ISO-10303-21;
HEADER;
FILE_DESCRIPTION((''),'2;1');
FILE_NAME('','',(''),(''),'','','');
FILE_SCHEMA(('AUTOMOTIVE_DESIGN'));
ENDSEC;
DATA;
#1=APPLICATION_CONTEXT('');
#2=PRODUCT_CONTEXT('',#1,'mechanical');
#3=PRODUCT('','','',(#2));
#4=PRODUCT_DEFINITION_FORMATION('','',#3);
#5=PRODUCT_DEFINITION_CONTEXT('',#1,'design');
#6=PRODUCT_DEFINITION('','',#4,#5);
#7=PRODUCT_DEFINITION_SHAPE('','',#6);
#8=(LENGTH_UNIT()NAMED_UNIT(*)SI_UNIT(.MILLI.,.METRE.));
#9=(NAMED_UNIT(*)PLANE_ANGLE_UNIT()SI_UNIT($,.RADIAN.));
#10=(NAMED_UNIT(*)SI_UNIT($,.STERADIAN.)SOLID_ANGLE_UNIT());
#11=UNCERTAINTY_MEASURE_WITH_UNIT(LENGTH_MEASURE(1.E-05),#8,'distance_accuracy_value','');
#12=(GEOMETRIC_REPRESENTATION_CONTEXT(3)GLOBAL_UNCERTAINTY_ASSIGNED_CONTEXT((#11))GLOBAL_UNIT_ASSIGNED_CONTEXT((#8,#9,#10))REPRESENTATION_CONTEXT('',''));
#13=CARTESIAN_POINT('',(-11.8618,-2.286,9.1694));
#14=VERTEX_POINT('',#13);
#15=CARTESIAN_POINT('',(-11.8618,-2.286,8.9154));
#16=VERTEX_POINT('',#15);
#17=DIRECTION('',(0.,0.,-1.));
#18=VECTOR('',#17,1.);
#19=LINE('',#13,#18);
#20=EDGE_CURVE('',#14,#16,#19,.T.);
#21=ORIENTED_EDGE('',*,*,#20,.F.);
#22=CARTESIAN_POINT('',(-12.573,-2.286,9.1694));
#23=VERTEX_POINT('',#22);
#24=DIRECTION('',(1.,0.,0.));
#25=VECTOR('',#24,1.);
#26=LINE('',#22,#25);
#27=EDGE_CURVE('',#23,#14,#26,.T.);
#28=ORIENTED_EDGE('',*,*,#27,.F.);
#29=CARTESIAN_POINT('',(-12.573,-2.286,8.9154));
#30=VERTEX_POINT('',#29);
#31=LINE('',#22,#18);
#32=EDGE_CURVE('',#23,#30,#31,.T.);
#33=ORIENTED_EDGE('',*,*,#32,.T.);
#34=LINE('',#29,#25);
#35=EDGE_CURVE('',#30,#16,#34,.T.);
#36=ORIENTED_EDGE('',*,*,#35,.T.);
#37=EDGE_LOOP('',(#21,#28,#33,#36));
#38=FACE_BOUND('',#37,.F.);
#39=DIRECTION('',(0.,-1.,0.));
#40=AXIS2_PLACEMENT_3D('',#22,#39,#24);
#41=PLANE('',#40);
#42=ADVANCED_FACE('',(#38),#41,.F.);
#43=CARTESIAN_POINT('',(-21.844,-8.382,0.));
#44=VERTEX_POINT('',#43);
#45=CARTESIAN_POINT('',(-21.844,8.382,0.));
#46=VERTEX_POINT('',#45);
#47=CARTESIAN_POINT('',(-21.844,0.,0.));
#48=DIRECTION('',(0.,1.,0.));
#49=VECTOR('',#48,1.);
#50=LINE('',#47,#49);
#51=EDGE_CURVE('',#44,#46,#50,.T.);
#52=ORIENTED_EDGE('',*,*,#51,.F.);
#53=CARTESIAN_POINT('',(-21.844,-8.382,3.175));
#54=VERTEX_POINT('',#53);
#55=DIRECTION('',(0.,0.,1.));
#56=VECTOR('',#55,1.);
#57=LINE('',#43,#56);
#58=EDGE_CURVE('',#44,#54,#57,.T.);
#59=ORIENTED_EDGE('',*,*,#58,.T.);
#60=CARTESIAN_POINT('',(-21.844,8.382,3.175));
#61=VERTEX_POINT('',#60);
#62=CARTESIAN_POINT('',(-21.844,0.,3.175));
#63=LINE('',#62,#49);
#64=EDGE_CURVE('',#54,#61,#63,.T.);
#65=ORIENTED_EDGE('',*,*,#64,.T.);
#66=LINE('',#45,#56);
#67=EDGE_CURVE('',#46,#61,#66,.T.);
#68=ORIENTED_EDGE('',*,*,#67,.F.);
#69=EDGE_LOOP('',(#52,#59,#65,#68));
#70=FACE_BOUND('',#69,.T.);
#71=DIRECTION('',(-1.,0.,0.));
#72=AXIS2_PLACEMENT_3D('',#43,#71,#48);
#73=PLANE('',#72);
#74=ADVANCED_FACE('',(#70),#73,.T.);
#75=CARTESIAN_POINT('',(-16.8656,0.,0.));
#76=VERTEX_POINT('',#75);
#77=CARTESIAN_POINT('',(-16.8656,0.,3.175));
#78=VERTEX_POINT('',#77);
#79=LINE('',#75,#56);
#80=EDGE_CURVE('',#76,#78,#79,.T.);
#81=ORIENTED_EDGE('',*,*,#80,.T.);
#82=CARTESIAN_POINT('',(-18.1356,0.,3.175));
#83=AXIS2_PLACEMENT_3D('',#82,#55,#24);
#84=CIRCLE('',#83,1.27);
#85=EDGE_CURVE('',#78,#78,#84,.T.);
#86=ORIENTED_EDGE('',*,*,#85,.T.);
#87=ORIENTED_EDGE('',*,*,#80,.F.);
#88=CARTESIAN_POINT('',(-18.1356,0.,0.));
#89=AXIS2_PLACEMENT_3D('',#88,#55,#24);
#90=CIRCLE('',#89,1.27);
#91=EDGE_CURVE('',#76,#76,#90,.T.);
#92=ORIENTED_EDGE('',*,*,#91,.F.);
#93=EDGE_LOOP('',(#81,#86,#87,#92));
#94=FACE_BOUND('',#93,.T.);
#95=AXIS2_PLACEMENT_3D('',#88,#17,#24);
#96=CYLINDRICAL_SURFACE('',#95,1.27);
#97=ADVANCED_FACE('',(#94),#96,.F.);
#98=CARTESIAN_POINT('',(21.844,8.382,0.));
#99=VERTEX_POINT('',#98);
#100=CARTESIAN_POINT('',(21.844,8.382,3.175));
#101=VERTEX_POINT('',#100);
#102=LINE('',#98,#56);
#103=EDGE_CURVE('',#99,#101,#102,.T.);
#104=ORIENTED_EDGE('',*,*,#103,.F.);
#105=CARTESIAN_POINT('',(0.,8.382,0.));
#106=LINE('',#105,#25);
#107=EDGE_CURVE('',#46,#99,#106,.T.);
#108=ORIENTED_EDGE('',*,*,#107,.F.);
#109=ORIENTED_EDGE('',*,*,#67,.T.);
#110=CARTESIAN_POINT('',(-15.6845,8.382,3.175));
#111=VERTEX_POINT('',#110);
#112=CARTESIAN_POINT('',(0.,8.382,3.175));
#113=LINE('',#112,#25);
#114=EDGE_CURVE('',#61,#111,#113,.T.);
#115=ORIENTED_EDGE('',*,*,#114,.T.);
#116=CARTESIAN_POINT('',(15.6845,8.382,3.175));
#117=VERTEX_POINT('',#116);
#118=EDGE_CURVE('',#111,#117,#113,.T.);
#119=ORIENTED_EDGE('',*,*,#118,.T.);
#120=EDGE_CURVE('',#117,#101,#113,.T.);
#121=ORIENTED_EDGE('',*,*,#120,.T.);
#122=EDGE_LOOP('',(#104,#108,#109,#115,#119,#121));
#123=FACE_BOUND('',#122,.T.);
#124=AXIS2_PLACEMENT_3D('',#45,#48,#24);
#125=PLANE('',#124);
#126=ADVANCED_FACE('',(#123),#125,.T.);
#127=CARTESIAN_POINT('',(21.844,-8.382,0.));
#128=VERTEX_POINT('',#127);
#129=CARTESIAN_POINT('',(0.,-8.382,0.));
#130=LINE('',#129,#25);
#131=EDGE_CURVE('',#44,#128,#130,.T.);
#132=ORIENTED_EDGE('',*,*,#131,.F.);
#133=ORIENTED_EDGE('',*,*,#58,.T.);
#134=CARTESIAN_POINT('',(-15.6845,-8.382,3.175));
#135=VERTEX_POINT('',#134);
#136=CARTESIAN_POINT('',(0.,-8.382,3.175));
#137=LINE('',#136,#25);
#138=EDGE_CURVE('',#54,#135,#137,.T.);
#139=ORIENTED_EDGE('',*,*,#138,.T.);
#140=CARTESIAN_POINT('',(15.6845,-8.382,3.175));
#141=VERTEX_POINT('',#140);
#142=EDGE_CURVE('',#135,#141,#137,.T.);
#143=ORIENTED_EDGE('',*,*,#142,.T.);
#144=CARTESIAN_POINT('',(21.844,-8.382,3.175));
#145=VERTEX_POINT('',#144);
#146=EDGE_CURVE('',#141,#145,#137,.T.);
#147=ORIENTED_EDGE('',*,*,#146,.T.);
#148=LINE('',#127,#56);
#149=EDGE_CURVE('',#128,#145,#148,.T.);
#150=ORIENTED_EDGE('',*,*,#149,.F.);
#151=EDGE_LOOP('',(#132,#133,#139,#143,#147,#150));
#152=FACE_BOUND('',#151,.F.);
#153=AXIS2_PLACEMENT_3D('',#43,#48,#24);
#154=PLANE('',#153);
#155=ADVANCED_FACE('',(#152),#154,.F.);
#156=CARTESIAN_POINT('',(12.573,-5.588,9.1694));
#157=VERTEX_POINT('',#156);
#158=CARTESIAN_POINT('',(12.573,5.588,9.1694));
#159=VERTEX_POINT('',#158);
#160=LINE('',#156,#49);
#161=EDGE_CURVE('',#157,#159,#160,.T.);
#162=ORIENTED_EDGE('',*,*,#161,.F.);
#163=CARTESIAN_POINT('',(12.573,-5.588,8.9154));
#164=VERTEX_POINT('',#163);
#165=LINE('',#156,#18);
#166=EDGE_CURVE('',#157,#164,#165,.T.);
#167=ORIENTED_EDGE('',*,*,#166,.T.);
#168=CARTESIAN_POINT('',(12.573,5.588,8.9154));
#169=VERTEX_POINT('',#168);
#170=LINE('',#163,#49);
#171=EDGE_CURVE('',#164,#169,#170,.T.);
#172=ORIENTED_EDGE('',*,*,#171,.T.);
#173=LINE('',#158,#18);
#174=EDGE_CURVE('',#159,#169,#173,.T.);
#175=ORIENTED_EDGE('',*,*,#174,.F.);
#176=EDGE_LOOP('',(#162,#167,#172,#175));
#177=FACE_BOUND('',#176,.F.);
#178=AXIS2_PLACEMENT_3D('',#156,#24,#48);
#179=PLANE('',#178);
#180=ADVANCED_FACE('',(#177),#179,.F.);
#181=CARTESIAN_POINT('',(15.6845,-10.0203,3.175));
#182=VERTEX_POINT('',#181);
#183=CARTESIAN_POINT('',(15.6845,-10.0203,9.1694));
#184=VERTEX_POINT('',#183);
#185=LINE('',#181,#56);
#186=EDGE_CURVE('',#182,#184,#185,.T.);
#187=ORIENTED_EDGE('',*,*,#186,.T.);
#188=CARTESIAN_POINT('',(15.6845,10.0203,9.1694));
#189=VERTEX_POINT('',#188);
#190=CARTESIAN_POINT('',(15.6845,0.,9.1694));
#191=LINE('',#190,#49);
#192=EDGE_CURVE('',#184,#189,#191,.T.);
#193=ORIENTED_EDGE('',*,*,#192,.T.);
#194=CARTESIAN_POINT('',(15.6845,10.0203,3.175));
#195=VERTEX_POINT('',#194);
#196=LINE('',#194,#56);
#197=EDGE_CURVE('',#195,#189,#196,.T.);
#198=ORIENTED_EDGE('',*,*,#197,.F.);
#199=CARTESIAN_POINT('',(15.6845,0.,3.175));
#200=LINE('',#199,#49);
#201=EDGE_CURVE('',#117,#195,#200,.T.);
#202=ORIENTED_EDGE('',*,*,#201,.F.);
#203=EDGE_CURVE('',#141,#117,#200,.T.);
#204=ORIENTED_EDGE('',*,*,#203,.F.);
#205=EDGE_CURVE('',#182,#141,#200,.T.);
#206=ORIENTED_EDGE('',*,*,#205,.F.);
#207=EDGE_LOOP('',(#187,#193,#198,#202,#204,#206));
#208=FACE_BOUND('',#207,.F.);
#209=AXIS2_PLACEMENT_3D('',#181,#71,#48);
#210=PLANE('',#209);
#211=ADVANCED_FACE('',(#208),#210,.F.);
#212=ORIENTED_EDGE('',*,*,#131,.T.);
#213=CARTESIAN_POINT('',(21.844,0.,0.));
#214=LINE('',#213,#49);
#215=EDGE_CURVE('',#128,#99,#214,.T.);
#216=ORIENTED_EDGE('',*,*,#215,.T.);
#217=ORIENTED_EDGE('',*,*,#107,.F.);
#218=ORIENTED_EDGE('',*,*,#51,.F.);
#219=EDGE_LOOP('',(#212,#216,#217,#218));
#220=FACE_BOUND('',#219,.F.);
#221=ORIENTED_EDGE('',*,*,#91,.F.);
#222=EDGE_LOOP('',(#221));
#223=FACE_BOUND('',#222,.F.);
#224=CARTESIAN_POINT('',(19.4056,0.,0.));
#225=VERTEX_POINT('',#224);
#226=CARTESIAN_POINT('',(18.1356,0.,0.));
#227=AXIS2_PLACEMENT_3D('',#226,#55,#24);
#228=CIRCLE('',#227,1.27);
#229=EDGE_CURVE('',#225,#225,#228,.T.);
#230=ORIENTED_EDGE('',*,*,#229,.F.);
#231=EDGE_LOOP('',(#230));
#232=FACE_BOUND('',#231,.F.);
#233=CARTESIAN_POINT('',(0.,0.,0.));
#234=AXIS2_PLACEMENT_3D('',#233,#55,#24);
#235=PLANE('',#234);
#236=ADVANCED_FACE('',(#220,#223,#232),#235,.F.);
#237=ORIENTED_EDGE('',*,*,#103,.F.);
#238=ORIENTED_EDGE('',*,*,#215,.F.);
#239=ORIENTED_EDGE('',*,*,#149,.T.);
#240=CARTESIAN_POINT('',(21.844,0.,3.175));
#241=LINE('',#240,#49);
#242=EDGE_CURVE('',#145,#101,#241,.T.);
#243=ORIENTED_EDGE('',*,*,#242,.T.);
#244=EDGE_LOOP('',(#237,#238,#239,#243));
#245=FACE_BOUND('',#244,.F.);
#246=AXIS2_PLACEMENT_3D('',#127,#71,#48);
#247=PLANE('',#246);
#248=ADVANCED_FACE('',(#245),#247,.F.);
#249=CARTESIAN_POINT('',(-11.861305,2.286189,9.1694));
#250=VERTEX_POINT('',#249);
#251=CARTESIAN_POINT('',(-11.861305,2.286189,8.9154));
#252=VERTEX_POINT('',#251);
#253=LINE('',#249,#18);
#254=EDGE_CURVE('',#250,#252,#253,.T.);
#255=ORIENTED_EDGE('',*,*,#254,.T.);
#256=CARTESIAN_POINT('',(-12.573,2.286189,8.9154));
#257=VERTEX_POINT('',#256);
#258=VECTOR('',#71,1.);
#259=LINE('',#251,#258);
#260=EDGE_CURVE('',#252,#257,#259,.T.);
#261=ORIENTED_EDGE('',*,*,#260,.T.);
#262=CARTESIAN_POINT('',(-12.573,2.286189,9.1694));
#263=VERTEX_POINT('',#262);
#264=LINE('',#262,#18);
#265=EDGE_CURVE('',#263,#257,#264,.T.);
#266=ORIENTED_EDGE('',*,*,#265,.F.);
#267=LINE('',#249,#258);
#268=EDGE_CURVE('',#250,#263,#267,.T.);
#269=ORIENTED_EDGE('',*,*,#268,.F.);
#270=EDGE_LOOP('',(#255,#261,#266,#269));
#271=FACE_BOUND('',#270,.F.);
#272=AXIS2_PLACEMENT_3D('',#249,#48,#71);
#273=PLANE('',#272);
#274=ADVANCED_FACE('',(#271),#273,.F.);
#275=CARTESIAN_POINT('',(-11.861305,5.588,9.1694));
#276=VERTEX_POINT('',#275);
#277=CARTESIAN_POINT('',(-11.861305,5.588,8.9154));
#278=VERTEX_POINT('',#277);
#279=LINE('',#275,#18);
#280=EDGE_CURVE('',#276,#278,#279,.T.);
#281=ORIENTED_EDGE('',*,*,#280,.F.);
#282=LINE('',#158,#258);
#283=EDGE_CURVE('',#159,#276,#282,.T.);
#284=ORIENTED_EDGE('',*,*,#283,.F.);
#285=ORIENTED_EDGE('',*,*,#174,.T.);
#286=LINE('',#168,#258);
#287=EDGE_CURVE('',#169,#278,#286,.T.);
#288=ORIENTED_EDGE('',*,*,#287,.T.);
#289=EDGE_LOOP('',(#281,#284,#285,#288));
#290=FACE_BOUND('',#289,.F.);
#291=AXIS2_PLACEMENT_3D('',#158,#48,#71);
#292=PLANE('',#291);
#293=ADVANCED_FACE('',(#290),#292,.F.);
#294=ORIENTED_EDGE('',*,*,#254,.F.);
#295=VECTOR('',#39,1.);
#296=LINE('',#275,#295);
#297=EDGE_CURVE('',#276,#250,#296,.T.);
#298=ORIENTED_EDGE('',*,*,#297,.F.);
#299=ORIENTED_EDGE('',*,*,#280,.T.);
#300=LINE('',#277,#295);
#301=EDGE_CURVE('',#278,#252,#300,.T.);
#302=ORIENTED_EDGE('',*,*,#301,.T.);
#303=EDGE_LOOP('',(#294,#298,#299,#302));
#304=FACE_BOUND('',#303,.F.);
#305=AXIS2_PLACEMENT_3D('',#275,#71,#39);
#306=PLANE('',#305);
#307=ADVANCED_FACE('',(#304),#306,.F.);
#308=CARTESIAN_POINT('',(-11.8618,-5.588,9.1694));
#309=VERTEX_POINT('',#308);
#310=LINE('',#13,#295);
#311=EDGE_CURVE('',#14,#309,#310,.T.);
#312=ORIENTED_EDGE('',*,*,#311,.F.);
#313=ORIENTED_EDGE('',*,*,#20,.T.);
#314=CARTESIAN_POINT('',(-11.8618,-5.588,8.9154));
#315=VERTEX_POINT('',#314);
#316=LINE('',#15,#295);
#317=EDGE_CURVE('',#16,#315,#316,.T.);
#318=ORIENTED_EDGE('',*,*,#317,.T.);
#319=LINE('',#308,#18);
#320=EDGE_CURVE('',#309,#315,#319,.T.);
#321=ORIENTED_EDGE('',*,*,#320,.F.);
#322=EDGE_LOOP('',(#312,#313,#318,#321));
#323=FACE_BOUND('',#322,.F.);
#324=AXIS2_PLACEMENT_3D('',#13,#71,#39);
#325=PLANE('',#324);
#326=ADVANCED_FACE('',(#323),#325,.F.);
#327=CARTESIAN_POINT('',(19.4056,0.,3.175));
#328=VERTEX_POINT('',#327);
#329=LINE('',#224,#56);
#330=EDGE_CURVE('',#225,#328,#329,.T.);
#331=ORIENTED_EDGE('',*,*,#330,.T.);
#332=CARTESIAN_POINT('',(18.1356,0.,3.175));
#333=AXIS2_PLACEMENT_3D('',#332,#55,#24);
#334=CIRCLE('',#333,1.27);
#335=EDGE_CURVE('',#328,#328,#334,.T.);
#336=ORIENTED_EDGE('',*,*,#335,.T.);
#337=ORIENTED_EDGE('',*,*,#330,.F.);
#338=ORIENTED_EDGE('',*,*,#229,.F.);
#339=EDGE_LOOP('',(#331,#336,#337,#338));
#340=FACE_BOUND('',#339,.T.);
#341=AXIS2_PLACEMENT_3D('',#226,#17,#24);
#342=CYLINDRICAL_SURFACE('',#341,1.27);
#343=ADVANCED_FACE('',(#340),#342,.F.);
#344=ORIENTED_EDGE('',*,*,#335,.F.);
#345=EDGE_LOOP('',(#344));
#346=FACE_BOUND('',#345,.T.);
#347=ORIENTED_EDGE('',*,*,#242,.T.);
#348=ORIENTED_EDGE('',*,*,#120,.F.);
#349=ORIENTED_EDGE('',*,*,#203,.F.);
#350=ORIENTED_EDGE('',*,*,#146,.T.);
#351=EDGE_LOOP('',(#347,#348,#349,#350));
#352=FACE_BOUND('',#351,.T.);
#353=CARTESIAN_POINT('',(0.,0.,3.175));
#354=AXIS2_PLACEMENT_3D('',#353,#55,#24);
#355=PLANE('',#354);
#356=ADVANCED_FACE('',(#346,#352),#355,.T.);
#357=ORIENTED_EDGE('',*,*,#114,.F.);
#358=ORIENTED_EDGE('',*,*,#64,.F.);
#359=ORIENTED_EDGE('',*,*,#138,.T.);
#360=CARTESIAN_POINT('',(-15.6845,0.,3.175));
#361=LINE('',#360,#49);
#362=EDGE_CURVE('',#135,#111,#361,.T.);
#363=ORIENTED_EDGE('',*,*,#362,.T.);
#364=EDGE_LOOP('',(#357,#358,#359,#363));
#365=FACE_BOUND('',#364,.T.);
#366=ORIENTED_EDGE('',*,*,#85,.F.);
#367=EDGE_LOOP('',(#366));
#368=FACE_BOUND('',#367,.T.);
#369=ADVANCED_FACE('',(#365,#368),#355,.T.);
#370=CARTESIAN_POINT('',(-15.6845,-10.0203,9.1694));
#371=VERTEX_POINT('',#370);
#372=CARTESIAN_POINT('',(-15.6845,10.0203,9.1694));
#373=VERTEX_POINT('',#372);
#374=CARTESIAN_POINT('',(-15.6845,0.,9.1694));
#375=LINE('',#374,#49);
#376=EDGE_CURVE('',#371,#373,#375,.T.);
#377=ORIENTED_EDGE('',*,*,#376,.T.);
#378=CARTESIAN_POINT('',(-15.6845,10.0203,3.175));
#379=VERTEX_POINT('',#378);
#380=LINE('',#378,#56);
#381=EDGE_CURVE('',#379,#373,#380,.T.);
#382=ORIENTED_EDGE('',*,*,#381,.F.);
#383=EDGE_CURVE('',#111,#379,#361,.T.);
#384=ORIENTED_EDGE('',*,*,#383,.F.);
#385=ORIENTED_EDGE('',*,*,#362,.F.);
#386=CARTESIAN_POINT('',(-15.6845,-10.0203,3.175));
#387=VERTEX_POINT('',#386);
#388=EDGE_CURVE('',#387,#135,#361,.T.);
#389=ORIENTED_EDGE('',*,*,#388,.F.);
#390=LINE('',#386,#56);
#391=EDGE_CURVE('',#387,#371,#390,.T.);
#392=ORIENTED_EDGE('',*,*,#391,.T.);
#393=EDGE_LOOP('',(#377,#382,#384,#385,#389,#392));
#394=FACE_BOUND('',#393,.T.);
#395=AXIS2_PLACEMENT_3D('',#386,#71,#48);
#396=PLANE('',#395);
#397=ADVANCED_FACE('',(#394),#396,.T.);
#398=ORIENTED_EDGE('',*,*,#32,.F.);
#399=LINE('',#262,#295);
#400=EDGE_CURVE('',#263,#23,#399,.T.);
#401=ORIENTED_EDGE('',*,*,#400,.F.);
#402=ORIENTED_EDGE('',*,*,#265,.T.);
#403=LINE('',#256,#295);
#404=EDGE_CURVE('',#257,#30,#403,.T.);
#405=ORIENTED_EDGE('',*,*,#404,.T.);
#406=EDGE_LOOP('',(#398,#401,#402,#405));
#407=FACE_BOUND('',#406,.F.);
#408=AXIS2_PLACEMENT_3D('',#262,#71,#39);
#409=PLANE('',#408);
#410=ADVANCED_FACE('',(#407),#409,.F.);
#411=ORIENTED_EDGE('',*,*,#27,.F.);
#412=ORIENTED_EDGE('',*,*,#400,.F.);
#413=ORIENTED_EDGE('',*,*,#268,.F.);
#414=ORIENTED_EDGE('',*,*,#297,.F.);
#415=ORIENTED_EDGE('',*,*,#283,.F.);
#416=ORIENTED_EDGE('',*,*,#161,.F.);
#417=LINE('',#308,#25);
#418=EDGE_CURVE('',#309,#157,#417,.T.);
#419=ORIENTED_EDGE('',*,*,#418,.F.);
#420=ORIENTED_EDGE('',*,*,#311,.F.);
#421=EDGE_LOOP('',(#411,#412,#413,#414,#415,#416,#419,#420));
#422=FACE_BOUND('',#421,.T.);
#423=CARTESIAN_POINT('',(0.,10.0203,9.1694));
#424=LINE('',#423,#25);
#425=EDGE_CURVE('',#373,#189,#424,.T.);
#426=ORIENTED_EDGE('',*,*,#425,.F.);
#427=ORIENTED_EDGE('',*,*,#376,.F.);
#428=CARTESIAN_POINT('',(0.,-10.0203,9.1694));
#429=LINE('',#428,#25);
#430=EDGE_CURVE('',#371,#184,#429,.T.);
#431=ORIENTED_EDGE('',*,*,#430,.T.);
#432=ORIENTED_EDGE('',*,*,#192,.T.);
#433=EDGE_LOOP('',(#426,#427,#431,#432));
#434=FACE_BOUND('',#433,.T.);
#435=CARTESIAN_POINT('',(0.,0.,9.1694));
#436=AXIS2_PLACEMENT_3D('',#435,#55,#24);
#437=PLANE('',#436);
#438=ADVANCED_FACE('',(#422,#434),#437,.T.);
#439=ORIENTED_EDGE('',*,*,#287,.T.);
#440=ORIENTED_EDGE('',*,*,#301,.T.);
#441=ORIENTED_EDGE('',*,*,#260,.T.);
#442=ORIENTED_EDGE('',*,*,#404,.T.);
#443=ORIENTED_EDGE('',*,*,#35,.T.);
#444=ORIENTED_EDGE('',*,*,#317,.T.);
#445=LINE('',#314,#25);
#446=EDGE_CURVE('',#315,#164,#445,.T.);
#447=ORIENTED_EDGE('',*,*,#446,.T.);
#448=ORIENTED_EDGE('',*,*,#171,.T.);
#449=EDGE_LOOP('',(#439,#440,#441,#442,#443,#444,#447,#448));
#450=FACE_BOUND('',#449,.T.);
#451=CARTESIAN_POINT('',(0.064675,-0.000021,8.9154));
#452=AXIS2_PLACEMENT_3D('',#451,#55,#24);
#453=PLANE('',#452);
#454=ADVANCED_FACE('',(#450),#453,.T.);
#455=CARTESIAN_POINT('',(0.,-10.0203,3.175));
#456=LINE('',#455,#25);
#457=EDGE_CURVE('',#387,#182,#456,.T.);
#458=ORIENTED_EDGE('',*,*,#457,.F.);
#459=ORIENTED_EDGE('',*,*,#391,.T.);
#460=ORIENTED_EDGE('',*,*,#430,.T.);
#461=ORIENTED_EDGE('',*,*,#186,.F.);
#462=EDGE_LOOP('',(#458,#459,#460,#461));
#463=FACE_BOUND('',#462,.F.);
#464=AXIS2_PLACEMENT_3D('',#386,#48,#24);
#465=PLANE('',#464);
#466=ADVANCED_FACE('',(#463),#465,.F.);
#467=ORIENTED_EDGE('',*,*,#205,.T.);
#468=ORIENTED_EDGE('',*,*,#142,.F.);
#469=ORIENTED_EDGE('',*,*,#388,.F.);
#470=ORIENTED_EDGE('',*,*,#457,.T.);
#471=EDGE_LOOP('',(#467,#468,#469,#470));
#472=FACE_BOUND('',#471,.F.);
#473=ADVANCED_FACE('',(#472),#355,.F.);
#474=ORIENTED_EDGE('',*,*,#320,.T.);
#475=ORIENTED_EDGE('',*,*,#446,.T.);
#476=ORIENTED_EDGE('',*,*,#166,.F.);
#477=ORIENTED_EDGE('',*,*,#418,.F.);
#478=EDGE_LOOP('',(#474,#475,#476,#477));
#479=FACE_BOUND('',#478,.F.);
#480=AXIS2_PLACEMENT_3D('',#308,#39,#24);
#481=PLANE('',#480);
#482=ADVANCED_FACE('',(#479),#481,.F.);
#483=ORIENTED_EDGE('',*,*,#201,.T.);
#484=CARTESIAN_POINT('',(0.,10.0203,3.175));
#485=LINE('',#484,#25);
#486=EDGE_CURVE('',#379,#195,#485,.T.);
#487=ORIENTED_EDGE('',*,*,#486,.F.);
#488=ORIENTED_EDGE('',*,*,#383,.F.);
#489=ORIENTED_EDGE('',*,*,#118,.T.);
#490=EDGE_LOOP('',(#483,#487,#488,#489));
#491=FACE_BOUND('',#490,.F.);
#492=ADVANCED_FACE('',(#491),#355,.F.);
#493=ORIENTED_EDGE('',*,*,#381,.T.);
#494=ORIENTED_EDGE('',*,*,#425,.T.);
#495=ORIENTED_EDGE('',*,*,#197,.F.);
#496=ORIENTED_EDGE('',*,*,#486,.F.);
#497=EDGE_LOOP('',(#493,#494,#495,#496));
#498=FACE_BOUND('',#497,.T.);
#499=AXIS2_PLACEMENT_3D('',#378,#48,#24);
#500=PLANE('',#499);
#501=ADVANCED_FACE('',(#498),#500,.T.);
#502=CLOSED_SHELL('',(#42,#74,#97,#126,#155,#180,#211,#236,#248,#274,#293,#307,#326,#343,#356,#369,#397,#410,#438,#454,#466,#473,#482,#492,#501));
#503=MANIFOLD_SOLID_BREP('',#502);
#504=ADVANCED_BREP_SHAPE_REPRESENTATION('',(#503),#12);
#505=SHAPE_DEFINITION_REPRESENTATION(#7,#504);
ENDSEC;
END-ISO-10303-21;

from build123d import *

# Parameters (mm, degrees)
F0_W     = 43.688
F0_H     = 16.764
F0_R     = 1.27
F1_DEPTH = 3.175
F2_W     = 31.369
F2_H     = 20.0406
F3_DEPTH = 5.9944
F5_DEPTH = 0.254


with BuildPart() as f1:
    # F0 (on Top) → F1 (new body)
    with BuildSketch(Plane.XY):
        Rectangle(F0_W, F0_H)
        with Locations((-18.1356, 0)):
            Circle(F0_R, mode=Mode.SUBTRACT)
        with Locations((18.1356, 0)):
            Circle(F0_R, mode=Mode.SUBTRACT)
    extrude(amount=F1_DEPTH)

    # F2 (on face) → F3 (join)
    with BuildSketch(Plane.XY.offset(3.175)):
        Rectangle(F2_W, F2_H)
    extrude(amount=F3_DEPTH)

    # F4 (on face) → F5 (cut)
    with BuildSketch(Plane.XY.offset(9.1694)):
        Polygon((-11.8618, -5.588), (12.573, -5.588), (12.573, 5.588), (-11.861305, 5.588), (-11.861305, 2.286189), (-12.573, 2.286189), (-12.573, -2.286), (-11.8618, -2.286), align=None)
    extrude(amount=-F5_DEPTH, mode=Mode.SUBTRACT)


solid = f1.part
